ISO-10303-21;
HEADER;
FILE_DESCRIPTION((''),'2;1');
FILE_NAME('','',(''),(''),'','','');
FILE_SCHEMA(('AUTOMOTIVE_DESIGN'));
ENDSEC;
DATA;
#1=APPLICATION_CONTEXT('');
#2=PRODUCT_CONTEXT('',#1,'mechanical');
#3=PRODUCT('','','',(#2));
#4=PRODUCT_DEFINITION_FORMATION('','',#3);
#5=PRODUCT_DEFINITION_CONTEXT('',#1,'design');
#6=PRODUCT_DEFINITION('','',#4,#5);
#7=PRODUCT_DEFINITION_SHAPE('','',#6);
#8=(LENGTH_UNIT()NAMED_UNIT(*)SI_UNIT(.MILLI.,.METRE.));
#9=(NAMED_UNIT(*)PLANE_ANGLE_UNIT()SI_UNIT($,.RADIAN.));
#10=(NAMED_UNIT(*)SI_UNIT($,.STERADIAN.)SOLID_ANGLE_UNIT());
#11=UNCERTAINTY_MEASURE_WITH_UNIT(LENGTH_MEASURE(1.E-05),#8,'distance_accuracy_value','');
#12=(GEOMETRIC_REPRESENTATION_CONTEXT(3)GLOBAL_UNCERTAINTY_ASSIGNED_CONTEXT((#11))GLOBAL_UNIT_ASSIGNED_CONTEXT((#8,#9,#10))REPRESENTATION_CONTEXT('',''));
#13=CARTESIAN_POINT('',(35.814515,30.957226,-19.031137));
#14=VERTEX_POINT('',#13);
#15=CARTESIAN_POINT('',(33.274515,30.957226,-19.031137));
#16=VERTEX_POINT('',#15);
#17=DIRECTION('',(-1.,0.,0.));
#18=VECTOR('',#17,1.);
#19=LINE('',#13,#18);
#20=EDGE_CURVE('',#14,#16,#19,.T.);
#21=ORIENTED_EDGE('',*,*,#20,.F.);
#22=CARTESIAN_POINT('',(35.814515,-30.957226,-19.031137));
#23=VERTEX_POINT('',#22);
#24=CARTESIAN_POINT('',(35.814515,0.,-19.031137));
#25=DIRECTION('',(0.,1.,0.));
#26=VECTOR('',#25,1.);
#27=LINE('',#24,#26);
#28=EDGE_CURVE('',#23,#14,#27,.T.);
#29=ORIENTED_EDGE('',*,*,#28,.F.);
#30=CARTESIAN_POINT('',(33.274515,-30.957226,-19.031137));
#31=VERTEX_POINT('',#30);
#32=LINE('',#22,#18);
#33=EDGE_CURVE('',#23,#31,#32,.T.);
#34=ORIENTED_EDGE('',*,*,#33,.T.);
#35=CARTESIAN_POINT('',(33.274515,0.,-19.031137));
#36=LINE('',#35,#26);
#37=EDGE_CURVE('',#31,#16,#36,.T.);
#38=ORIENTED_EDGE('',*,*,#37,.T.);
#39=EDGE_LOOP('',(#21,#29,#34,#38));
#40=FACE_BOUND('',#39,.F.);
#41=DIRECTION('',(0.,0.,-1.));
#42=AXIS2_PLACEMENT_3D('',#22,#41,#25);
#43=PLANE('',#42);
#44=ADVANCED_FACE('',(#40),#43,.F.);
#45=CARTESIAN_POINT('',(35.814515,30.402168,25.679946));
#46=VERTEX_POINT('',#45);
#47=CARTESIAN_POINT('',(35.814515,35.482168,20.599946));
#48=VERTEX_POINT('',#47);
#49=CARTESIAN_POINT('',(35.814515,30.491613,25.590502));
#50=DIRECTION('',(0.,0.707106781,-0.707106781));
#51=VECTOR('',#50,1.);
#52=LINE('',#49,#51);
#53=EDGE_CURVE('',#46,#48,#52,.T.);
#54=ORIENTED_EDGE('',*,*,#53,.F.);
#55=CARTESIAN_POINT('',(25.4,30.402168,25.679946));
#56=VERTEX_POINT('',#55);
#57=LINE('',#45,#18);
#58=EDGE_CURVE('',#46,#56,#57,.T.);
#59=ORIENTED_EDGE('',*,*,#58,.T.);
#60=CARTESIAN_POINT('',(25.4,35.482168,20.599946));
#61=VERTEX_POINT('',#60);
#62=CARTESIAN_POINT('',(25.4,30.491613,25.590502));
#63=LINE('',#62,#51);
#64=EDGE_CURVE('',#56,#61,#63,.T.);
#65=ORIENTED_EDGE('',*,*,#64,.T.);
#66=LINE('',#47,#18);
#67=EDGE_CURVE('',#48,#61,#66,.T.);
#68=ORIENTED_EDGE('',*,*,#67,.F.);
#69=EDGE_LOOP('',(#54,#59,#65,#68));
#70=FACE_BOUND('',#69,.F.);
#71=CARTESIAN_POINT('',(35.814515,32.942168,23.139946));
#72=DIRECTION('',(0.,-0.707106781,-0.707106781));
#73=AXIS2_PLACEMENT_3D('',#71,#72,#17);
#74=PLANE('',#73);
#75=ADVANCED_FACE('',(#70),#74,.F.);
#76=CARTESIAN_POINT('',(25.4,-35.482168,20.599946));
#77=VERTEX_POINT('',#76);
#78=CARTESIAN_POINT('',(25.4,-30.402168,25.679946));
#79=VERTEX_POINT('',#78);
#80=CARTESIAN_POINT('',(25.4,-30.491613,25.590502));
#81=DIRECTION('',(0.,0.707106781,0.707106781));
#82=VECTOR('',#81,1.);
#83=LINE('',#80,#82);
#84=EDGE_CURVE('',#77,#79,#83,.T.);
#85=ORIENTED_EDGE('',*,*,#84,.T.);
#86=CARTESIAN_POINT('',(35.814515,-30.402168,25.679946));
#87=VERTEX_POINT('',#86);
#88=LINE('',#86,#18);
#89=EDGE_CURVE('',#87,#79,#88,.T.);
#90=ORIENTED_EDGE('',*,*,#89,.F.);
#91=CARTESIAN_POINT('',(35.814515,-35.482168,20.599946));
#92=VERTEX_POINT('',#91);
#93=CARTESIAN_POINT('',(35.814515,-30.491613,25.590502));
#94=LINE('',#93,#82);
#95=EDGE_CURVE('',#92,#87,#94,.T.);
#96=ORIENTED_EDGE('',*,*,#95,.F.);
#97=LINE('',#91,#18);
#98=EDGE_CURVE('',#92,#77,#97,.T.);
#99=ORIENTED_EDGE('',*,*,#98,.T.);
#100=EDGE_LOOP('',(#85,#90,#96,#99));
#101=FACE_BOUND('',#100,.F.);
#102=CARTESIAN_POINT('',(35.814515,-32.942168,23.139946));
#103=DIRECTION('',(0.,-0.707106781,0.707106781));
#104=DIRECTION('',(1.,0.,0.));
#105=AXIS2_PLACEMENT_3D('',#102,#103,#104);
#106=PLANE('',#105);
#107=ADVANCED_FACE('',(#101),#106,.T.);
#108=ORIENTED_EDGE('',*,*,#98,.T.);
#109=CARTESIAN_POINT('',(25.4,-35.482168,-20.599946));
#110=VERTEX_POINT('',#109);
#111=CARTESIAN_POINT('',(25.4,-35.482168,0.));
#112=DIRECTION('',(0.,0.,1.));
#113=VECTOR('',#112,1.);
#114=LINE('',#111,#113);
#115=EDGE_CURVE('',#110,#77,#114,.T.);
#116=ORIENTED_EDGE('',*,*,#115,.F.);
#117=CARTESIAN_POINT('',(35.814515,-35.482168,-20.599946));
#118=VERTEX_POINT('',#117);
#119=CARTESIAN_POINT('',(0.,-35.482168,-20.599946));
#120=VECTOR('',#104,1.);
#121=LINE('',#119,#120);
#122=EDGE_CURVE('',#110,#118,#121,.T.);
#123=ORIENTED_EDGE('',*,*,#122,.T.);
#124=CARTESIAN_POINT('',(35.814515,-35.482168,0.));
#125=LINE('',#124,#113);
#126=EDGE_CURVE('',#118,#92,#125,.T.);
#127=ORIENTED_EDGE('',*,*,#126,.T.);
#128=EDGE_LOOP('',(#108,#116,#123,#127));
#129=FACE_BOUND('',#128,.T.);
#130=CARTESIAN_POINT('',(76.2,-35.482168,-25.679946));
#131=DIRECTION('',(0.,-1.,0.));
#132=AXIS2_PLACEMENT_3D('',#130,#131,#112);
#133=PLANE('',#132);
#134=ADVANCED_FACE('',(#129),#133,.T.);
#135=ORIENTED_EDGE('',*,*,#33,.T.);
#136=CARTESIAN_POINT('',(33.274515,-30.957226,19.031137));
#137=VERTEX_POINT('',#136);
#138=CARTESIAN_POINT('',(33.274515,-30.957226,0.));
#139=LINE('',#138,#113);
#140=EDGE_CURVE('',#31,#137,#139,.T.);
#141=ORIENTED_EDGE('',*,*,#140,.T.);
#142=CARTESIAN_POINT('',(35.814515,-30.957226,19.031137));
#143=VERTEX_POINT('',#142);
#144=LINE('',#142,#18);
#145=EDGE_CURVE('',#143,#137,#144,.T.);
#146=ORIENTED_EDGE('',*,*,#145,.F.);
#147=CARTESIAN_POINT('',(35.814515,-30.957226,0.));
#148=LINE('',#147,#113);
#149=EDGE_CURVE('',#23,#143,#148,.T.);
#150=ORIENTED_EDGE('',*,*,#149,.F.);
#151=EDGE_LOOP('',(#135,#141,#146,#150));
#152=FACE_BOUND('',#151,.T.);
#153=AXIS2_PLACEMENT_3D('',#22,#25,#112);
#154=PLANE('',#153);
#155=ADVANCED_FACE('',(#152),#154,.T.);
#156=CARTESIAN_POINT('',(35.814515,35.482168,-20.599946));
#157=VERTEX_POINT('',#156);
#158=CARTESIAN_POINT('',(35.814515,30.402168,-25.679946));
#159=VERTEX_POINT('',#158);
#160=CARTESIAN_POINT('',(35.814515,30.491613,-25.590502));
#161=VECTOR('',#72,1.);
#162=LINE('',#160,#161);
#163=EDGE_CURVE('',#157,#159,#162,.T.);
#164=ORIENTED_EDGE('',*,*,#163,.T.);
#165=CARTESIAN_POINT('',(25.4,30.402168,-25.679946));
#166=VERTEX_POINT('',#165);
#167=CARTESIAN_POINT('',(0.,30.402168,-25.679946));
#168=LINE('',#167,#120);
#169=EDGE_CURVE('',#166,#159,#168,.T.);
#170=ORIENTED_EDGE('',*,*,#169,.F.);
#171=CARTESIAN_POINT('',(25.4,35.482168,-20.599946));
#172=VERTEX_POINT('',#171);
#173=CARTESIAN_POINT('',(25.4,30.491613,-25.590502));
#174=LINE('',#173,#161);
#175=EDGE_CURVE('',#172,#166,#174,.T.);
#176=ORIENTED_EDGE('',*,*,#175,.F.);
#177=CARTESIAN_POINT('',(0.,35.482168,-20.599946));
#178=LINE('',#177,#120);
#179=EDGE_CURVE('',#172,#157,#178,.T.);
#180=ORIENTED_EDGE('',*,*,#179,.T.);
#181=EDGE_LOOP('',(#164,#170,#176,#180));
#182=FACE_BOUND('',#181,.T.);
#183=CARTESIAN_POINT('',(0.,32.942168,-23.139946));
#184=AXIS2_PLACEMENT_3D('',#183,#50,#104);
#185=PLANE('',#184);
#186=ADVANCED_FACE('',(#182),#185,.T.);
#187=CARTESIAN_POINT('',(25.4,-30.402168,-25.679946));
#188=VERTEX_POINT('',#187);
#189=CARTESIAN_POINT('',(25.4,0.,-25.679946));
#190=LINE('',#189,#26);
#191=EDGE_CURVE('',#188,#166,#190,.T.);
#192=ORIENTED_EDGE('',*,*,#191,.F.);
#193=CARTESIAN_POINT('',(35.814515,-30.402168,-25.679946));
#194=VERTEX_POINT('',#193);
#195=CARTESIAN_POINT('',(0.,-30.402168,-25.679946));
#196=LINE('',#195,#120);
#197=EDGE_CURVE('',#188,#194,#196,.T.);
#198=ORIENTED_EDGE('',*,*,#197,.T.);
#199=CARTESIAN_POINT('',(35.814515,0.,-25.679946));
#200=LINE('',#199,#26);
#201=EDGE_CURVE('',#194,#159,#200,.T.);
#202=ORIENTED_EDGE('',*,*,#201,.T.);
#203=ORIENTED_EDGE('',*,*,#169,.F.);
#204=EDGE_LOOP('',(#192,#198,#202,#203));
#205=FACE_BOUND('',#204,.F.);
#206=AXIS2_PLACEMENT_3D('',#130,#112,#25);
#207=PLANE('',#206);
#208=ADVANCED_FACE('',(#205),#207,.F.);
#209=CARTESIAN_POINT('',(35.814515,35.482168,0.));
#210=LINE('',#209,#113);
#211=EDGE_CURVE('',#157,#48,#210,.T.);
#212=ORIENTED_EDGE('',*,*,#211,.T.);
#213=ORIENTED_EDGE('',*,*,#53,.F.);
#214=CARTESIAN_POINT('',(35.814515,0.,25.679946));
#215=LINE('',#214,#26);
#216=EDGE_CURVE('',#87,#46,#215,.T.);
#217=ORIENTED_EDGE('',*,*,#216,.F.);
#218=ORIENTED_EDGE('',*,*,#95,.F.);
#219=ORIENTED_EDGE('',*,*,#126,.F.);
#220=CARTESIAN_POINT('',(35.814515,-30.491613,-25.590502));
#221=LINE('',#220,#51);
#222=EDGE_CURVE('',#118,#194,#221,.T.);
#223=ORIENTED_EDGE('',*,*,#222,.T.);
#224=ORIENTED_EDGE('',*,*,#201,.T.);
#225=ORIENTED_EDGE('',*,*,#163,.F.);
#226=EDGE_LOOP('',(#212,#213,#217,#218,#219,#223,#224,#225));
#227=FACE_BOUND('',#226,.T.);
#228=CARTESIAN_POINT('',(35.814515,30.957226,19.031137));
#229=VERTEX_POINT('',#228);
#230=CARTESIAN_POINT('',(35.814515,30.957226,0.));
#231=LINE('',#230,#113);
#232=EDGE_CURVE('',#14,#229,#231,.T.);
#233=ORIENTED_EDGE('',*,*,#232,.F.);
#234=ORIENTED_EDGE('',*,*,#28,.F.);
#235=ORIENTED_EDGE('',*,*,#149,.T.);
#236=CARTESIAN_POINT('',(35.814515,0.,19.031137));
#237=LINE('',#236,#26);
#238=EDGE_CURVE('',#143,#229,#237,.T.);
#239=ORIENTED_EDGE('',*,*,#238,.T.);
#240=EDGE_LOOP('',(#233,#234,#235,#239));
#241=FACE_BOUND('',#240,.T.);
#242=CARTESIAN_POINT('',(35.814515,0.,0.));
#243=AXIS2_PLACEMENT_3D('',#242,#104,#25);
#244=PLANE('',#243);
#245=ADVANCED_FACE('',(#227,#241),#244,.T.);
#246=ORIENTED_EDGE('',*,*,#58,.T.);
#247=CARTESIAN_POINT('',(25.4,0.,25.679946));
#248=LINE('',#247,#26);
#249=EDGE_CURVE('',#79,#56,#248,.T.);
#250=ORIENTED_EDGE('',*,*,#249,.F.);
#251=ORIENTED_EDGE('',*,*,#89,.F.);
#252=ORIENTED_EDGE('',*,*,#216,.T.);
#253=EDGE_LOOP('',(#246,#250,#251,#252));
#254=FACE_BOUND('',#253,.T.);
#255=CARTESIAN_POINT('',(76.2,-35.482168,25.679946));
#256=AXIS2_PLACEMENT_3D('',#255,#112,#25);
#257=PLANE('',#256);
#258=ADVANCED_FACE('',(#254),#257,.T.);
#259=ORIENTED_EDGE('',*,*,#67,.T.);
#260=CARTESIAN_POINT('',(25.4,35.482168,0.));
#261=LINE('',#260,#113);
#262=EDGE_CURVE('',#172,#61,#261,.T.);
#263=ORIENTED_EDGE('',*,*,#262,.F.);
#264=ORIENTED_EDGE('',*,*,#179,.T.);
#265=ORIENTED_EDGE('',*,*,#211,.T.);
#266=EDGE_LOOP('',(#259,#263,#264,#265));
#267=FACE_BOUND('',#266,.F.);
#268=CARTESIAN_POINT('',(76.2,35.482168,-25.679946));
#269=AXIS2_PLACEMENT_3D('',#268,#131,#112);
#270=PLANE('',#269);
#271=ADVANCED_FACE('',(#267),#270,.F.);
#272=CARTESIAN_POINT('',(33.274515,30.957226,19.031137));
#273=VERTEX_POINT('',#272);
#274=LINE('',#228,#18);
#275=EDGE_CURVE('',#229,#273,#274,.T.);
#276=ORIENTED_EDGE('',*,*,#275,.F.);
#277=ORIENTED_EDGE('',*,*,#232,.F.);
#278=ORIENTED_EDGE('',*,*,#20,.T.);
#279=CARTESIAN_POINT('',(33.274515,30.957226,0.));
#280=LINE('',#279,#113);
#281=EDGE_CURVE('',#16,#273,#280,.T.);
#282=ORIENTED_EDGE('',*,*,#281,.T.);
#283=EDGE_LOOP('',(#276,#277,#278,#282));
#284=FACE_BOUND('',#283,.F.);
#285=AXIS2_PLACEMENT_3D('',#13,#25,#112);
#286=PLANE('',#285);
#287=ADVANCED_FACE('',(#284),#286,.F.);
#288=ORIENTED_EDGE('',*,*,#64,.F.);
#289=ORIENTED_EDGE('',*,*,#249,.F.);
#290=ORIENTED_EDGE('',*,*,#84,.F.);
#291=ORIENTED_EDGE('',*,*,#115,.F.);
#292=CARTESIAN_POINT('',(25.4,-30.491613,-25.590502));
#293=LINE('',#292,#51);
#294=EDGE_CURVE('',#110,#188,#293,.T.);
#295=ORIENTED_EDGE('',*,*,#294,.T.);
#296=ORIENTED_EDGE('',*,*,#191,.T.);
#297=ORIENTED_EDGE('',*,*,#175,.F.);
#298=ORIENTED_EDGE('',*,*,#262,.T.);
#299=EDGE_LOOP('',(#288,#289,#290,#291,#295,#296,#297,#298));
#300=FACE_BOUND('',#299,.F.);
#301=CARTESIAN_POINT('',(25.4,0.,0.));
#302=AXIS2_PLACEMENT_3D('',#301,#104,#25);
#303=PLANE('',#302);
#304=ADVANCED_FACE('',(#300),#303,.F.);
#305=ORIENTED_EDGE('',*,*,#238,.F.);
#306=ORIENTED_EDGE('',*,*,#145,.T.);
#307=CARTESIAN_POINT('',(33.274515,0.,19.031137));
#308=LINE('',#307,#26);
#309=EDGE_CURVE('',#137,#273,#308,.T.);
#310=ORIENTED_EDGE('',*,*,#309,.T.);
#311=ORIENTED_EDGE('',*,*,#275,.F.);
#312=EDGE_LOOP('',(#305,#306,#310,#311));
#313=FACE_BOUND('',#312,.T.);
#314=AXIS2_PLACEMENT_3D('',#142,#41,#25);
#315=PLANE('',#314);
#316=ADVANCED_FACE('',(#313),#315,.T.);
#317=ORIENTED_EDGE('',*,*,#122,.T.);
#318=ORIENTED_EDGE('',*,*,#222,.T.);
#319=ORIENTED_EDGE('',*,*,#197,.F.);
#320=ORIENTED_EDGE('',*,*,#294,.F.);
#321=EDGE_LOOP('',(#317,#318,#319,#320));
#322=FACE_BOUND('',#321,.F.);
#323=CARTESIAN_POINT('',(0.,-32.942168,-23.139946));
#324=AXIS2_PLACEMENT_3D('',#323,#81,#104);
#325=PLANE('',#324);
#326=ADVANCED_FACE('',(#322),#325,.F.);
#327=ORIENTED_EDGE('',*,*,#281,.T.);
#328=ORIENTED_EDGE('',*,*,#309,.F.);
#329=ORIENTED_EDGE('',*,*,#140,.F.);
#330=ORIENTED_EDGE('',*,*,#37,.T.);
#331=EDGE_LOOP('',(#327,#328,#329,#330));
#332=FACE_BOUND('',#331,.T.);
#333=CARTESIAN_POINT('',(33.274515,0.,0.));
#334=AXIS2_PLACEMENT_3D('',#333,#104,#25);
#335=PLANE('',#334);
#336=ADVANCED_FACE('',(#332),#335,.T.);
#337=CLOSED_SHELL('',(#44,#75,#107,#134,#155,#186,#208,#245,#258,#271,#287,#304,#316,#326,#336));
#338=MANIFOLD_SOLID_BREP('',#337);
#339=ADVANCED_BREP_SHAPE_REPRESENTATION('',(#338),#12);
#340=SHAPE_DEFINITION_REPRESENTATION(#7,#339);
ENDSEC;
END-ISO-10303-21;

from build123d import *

# Parameters (mm, degrees)
F0_W      = 70.9643363953
F0_H      = 51.3598918915
F1_DEPTH  = 76.2
F2_DEPTH  = 25.4
F3_DEPTH  = 40.3854846954
F4_DEPTH  = 25.4
F5_W      = 61.9144514203
F5_H      = 38.062274456
F6_DEPTH  = 2.54
F7_SIZE   = 5.08
F8_SIZE   = 5.08
F9_SIZE   = 5.08
F10_SIZE  = 5.08
F11_DEPTH = 25.4


with BuildPart() as f1:
    # F0 (on Right) → F1 (new body)
    with BuildSketch(Plane.YZ):
        Rectangle(F0_W, F0_H)
    extrude(amount=F1_DEPTH)

    # F2 (add): a face of the model
    f2_faces = [f1.faces().sort_by_distance(p)[0] for p in [
        (76.2, 0, 0),
    ]]
    extrude(f2_faces, amount=F2_DEPTH)

    # F3 (cut): a face of the model
    f3_faces = [f1.faces().sort_by_distance(p)[0] for p in [
        (101.6, 0, 0),
    ]]
    extrude(f3_faces, amount=-F3_DEPTH, mode=Mode.SUBTRACT)

    # F4 (cut): a face of the model
    f4_faces = [f1.faces().sort_by_distance(p)[0] for p in [
        (61.2145153046, 0, 0),
    ]]
    extrude(f4_faces, amount=-F4_DEPTH, mode=Mode.SUBTRACT)

    # F5 (on face) → F6 (cut)
    with BuildSketch(Plane.YZ.offset(35.8145153046)):
        Rectangle(F5_W, F5_H)
    extrude(amount=-F6_DEPTH, mode=Mode.SUBTRACT)

    # F7
    f7_edges = [f1.edges().sort_by_distance(p)[0] for p in [
        (17.907258, -35.482168, 25.679946),
    ]]
    chamfer(f7_edges, length=F7_SIZE)

    # F8
    f8_edges = [f1.edges().sort_by_distance(p)[0] for p in [
        (17.907258, -35.482168, -25.679946),
    ]]
    chamfer(f8_edges, length=F8_SIZE)

    # F9
    f9_edges = [f1.edges().sort_by_distance(p)[0] for p in [
        (17.907258, 35.482168, 25.679946),
    ]]
    chamfer(f9_edges, length=F9_SIZE)

    # F10
    f10_edges = [f1.edges().sort_by_distance(p)[0] for p in [
        (17.907258, 35.482168, -25.679946),
    ]]
    chamfer(f10_edges, length=F10_SIZE)

    # F11 (cut): a face of the model
    f11_faces = [f1.faces().sort_by_distance(p)[0] for p in [
        (0, 0, 0),
    ]]
    extrude(f11_faces, amount=-F11_DEPTH, mode=Mode.SUBTRACT)


solid = f1.part
